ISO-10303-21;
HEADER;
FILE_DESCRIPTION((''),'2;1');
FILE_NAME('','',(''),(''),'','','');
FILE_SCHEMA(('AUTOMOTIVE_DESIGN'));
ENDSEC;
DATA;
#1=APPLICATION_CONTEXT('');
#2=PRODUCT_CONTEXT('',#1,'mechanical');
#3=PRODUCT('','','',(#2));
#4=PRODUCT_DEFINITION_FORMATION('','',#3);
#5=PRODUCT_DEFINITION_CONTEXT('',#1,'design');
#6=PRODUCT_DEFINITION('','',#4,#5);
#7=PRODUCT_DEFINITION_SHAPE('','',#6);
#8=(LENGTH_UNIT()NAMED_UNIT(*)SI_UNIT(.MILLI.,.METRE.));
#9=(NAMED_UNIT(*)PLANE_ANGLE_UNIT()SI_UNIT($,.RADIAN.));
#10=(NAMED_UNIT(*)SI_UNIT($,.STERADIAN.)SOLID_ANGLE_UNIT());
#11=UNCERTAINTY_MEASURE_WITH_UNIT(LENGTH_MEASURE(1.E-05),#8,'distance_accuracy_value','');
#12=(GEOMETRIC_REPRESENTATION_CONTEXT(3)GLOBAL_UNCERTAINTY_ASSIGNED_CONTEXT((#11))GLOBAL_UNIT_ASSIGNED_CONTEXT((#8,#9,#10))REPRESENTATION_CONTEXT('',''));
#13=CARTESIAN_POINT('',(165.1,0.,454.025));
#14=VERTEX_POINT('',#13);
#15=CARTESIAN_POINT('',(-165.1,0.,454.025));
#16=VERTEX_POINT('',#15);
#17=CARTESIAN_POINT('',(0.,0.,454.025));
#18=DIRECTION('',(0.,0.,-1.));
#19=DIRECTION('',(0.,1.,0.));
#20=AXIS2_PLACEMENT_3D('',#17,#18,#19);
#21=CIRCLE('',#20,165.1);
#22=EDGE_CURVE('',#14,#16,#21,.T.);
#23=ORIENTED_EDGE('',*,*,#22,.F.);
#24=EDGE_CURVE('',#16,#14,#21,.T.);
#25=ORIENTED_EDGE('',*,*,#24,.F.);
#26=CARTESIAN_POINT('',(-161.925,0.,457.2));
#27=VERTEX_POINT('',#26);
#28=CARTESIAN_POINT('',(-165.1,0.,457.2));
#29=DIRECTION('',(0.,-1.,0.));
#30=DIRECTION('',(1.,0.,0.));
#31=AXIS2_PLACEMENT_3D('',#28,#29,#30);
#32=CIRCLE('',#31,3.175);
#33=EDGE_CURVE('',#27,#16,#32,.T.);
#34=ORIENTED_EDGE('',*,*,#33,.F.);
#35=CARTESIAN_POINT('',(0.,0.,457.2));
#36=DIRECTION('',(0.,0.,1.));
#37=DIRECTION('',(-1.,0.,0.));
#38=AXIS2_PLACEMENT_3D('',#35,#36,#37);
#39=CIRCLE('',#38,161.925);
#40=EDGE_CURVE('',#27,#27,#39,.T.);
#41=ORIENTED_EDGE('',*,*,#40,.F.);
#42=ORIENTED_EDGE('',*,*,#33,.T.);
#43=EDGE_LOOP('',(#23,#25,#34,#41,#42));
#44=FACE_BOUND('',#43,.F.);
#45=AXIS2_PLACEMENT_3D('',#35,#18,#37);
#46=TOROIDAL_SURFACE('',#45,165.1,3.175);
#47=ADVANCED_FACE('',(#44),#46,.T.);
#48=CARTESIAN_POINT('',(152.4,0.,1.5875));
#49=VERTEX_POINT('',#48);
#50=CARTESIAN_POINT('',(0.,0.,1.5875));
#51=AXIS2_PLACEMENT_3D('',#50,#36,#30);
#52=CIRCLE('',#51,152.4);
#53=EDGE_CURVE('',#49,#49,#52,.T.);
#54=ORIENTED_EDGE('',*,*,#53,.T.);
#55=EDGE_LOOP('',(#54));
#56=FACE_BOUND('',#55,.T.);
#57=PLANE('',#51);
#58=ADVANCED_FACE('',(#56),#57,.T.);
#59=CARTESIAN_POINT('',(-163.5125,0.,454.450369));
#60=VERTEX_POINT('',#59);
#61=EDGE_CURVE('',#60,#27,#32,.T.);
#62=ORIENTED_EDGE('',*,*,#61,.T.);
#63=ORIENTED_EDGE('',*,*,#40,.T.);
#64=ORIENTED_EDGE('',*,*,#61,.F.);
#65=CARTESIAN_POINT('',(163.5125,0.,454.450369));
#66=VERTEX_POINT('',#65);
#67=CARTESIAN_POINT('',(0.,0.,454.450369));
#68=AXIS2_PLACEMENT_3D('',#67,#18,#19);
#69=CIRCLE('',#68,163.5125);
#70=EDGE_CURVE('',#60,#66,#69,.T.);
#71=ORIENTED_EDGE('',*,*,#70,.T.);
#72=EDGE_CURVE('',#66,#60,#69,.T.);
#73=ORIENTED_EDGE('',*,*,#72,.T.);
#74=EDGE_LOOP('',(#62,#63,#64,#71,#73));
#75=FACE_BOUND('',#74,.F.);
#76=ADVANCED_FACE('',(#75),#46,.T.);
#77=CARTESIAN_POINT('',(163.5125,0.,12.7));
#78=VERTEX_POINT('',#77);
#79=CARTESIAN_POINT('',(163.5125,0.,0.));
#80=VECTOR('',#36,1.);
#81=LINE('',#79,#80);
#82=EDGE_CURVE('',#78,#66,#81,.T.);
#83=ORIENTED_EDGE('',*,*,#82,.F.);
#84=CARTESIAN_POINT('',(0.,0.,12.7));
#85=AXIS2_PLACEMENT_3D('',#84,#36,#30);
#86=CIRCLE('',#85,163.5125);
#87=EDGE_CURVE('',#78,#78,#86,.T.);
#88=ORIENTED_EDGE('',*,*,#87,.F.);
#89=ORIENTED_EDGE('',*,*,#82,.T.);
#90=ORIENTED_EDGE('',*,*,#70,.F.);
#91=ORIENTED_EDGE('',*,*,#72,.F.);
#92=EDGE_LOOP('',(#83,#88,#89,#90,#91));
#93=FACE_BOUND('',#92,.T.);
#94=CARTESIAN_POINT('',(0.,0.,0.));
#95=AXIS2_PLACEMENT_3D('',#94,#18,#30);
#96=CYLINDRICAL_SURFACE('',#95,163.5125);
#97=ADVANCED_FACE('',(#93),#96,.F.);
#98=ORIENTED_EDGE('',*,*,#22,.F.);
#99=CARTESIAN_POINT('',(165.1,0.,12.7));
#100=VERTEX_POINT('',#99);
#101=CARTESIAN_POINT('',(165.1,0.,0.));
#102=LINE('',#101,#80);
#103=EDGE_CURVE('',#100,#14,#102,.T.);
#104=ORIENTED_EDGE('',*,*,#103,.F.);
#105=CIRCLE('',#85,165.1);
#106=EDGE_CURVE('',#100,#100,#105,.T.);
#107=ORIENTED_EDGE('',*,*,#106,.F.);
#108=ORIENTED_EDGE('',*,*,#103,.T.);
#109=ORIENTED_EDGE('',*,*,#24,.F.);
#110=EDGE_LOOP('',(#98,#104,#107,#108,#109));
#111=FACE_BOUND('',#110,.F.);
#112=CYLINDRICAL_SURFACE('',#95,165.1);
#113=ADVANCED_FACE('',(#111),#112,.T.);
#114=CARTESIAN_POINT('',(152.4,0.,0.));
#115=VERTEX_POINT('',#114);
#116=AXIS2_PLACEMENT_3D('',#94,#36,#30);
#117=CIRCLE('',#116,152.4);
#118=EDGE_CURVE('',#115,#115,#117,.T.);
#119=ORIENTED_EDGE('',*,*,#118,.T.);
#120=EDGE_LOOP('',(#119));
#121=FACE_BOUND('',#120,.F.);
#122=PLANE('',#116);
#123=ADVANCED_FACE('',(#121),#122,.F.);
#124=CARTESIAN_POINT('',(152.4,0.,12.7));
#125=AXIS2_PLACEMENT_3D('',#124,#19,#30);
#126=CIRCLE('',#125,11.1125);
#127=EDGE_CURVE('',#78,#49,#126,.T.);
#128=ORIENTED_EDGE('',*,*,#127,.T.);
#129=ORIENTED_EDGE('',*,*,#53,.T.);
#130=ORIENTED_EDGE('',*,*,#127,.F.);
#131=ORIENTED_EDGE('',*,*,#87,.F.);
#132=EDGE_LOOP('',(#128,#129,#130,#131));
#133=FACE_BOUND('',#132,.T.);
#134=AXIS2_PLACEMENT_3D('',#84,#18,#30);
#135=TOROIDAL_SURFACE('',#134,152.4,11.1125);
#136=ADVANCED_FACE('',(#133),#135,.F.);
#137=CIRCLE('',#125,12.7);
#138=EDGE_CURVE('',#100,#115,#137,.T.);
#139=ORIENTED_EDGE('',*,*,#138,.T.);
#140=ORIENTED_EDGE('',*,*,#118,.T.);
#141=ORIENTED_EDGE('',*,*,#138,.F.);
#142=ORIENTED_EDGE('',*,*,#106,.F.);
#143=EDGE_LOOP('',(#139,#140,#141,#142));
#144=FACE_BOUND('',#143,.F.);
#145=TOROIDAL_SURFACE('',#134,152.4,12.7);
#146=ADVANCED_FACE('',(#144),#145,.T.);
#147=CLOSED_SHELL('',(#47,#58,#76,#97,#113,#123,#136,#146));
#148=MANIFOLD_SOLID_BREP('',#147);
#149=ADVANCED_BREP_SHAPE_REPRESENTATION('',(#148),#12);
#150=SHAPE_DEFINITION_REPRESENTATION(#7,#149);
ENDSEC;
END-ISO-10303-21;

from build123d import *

# Parameters (mm, degrees)
F0_R     = 165.1
F1_DEPTH = 457.2
F2_R     = 12.7
F3_T     = -1.5875
F4_R     = 3.175


with BuildPart() as f1:
    # F0 (on Top) → F1 (new body)
    with BuildSketch(Plane.XY):
        Circle(F0_R)
    extrude(amount=F1_DEPTH)

    # F2
    f2_edges = [f1.edges().sort_by_distance(p)[0] for p in [
        (-165.1, 0, 0),
    ]]
    fillet(f2_edges, radius=F2_R)

    # F3
    f3_openings = [f1.faces().sort_by_distance(p)[0] for p in [
        (0, 0, 457.2),
    ]]
    offset(amount=F3_T, openings=f3_openings)

    # F4 (on Front) → F5 (revolve)
    with BuildSketch(Plane.XZ):
        with Locations((-165.1, 457.2)):
            Circle(F4_R)
    revolve(axis=Axis((0, 0, 457.2), (0, 0, 1)))


solid = f1.part
